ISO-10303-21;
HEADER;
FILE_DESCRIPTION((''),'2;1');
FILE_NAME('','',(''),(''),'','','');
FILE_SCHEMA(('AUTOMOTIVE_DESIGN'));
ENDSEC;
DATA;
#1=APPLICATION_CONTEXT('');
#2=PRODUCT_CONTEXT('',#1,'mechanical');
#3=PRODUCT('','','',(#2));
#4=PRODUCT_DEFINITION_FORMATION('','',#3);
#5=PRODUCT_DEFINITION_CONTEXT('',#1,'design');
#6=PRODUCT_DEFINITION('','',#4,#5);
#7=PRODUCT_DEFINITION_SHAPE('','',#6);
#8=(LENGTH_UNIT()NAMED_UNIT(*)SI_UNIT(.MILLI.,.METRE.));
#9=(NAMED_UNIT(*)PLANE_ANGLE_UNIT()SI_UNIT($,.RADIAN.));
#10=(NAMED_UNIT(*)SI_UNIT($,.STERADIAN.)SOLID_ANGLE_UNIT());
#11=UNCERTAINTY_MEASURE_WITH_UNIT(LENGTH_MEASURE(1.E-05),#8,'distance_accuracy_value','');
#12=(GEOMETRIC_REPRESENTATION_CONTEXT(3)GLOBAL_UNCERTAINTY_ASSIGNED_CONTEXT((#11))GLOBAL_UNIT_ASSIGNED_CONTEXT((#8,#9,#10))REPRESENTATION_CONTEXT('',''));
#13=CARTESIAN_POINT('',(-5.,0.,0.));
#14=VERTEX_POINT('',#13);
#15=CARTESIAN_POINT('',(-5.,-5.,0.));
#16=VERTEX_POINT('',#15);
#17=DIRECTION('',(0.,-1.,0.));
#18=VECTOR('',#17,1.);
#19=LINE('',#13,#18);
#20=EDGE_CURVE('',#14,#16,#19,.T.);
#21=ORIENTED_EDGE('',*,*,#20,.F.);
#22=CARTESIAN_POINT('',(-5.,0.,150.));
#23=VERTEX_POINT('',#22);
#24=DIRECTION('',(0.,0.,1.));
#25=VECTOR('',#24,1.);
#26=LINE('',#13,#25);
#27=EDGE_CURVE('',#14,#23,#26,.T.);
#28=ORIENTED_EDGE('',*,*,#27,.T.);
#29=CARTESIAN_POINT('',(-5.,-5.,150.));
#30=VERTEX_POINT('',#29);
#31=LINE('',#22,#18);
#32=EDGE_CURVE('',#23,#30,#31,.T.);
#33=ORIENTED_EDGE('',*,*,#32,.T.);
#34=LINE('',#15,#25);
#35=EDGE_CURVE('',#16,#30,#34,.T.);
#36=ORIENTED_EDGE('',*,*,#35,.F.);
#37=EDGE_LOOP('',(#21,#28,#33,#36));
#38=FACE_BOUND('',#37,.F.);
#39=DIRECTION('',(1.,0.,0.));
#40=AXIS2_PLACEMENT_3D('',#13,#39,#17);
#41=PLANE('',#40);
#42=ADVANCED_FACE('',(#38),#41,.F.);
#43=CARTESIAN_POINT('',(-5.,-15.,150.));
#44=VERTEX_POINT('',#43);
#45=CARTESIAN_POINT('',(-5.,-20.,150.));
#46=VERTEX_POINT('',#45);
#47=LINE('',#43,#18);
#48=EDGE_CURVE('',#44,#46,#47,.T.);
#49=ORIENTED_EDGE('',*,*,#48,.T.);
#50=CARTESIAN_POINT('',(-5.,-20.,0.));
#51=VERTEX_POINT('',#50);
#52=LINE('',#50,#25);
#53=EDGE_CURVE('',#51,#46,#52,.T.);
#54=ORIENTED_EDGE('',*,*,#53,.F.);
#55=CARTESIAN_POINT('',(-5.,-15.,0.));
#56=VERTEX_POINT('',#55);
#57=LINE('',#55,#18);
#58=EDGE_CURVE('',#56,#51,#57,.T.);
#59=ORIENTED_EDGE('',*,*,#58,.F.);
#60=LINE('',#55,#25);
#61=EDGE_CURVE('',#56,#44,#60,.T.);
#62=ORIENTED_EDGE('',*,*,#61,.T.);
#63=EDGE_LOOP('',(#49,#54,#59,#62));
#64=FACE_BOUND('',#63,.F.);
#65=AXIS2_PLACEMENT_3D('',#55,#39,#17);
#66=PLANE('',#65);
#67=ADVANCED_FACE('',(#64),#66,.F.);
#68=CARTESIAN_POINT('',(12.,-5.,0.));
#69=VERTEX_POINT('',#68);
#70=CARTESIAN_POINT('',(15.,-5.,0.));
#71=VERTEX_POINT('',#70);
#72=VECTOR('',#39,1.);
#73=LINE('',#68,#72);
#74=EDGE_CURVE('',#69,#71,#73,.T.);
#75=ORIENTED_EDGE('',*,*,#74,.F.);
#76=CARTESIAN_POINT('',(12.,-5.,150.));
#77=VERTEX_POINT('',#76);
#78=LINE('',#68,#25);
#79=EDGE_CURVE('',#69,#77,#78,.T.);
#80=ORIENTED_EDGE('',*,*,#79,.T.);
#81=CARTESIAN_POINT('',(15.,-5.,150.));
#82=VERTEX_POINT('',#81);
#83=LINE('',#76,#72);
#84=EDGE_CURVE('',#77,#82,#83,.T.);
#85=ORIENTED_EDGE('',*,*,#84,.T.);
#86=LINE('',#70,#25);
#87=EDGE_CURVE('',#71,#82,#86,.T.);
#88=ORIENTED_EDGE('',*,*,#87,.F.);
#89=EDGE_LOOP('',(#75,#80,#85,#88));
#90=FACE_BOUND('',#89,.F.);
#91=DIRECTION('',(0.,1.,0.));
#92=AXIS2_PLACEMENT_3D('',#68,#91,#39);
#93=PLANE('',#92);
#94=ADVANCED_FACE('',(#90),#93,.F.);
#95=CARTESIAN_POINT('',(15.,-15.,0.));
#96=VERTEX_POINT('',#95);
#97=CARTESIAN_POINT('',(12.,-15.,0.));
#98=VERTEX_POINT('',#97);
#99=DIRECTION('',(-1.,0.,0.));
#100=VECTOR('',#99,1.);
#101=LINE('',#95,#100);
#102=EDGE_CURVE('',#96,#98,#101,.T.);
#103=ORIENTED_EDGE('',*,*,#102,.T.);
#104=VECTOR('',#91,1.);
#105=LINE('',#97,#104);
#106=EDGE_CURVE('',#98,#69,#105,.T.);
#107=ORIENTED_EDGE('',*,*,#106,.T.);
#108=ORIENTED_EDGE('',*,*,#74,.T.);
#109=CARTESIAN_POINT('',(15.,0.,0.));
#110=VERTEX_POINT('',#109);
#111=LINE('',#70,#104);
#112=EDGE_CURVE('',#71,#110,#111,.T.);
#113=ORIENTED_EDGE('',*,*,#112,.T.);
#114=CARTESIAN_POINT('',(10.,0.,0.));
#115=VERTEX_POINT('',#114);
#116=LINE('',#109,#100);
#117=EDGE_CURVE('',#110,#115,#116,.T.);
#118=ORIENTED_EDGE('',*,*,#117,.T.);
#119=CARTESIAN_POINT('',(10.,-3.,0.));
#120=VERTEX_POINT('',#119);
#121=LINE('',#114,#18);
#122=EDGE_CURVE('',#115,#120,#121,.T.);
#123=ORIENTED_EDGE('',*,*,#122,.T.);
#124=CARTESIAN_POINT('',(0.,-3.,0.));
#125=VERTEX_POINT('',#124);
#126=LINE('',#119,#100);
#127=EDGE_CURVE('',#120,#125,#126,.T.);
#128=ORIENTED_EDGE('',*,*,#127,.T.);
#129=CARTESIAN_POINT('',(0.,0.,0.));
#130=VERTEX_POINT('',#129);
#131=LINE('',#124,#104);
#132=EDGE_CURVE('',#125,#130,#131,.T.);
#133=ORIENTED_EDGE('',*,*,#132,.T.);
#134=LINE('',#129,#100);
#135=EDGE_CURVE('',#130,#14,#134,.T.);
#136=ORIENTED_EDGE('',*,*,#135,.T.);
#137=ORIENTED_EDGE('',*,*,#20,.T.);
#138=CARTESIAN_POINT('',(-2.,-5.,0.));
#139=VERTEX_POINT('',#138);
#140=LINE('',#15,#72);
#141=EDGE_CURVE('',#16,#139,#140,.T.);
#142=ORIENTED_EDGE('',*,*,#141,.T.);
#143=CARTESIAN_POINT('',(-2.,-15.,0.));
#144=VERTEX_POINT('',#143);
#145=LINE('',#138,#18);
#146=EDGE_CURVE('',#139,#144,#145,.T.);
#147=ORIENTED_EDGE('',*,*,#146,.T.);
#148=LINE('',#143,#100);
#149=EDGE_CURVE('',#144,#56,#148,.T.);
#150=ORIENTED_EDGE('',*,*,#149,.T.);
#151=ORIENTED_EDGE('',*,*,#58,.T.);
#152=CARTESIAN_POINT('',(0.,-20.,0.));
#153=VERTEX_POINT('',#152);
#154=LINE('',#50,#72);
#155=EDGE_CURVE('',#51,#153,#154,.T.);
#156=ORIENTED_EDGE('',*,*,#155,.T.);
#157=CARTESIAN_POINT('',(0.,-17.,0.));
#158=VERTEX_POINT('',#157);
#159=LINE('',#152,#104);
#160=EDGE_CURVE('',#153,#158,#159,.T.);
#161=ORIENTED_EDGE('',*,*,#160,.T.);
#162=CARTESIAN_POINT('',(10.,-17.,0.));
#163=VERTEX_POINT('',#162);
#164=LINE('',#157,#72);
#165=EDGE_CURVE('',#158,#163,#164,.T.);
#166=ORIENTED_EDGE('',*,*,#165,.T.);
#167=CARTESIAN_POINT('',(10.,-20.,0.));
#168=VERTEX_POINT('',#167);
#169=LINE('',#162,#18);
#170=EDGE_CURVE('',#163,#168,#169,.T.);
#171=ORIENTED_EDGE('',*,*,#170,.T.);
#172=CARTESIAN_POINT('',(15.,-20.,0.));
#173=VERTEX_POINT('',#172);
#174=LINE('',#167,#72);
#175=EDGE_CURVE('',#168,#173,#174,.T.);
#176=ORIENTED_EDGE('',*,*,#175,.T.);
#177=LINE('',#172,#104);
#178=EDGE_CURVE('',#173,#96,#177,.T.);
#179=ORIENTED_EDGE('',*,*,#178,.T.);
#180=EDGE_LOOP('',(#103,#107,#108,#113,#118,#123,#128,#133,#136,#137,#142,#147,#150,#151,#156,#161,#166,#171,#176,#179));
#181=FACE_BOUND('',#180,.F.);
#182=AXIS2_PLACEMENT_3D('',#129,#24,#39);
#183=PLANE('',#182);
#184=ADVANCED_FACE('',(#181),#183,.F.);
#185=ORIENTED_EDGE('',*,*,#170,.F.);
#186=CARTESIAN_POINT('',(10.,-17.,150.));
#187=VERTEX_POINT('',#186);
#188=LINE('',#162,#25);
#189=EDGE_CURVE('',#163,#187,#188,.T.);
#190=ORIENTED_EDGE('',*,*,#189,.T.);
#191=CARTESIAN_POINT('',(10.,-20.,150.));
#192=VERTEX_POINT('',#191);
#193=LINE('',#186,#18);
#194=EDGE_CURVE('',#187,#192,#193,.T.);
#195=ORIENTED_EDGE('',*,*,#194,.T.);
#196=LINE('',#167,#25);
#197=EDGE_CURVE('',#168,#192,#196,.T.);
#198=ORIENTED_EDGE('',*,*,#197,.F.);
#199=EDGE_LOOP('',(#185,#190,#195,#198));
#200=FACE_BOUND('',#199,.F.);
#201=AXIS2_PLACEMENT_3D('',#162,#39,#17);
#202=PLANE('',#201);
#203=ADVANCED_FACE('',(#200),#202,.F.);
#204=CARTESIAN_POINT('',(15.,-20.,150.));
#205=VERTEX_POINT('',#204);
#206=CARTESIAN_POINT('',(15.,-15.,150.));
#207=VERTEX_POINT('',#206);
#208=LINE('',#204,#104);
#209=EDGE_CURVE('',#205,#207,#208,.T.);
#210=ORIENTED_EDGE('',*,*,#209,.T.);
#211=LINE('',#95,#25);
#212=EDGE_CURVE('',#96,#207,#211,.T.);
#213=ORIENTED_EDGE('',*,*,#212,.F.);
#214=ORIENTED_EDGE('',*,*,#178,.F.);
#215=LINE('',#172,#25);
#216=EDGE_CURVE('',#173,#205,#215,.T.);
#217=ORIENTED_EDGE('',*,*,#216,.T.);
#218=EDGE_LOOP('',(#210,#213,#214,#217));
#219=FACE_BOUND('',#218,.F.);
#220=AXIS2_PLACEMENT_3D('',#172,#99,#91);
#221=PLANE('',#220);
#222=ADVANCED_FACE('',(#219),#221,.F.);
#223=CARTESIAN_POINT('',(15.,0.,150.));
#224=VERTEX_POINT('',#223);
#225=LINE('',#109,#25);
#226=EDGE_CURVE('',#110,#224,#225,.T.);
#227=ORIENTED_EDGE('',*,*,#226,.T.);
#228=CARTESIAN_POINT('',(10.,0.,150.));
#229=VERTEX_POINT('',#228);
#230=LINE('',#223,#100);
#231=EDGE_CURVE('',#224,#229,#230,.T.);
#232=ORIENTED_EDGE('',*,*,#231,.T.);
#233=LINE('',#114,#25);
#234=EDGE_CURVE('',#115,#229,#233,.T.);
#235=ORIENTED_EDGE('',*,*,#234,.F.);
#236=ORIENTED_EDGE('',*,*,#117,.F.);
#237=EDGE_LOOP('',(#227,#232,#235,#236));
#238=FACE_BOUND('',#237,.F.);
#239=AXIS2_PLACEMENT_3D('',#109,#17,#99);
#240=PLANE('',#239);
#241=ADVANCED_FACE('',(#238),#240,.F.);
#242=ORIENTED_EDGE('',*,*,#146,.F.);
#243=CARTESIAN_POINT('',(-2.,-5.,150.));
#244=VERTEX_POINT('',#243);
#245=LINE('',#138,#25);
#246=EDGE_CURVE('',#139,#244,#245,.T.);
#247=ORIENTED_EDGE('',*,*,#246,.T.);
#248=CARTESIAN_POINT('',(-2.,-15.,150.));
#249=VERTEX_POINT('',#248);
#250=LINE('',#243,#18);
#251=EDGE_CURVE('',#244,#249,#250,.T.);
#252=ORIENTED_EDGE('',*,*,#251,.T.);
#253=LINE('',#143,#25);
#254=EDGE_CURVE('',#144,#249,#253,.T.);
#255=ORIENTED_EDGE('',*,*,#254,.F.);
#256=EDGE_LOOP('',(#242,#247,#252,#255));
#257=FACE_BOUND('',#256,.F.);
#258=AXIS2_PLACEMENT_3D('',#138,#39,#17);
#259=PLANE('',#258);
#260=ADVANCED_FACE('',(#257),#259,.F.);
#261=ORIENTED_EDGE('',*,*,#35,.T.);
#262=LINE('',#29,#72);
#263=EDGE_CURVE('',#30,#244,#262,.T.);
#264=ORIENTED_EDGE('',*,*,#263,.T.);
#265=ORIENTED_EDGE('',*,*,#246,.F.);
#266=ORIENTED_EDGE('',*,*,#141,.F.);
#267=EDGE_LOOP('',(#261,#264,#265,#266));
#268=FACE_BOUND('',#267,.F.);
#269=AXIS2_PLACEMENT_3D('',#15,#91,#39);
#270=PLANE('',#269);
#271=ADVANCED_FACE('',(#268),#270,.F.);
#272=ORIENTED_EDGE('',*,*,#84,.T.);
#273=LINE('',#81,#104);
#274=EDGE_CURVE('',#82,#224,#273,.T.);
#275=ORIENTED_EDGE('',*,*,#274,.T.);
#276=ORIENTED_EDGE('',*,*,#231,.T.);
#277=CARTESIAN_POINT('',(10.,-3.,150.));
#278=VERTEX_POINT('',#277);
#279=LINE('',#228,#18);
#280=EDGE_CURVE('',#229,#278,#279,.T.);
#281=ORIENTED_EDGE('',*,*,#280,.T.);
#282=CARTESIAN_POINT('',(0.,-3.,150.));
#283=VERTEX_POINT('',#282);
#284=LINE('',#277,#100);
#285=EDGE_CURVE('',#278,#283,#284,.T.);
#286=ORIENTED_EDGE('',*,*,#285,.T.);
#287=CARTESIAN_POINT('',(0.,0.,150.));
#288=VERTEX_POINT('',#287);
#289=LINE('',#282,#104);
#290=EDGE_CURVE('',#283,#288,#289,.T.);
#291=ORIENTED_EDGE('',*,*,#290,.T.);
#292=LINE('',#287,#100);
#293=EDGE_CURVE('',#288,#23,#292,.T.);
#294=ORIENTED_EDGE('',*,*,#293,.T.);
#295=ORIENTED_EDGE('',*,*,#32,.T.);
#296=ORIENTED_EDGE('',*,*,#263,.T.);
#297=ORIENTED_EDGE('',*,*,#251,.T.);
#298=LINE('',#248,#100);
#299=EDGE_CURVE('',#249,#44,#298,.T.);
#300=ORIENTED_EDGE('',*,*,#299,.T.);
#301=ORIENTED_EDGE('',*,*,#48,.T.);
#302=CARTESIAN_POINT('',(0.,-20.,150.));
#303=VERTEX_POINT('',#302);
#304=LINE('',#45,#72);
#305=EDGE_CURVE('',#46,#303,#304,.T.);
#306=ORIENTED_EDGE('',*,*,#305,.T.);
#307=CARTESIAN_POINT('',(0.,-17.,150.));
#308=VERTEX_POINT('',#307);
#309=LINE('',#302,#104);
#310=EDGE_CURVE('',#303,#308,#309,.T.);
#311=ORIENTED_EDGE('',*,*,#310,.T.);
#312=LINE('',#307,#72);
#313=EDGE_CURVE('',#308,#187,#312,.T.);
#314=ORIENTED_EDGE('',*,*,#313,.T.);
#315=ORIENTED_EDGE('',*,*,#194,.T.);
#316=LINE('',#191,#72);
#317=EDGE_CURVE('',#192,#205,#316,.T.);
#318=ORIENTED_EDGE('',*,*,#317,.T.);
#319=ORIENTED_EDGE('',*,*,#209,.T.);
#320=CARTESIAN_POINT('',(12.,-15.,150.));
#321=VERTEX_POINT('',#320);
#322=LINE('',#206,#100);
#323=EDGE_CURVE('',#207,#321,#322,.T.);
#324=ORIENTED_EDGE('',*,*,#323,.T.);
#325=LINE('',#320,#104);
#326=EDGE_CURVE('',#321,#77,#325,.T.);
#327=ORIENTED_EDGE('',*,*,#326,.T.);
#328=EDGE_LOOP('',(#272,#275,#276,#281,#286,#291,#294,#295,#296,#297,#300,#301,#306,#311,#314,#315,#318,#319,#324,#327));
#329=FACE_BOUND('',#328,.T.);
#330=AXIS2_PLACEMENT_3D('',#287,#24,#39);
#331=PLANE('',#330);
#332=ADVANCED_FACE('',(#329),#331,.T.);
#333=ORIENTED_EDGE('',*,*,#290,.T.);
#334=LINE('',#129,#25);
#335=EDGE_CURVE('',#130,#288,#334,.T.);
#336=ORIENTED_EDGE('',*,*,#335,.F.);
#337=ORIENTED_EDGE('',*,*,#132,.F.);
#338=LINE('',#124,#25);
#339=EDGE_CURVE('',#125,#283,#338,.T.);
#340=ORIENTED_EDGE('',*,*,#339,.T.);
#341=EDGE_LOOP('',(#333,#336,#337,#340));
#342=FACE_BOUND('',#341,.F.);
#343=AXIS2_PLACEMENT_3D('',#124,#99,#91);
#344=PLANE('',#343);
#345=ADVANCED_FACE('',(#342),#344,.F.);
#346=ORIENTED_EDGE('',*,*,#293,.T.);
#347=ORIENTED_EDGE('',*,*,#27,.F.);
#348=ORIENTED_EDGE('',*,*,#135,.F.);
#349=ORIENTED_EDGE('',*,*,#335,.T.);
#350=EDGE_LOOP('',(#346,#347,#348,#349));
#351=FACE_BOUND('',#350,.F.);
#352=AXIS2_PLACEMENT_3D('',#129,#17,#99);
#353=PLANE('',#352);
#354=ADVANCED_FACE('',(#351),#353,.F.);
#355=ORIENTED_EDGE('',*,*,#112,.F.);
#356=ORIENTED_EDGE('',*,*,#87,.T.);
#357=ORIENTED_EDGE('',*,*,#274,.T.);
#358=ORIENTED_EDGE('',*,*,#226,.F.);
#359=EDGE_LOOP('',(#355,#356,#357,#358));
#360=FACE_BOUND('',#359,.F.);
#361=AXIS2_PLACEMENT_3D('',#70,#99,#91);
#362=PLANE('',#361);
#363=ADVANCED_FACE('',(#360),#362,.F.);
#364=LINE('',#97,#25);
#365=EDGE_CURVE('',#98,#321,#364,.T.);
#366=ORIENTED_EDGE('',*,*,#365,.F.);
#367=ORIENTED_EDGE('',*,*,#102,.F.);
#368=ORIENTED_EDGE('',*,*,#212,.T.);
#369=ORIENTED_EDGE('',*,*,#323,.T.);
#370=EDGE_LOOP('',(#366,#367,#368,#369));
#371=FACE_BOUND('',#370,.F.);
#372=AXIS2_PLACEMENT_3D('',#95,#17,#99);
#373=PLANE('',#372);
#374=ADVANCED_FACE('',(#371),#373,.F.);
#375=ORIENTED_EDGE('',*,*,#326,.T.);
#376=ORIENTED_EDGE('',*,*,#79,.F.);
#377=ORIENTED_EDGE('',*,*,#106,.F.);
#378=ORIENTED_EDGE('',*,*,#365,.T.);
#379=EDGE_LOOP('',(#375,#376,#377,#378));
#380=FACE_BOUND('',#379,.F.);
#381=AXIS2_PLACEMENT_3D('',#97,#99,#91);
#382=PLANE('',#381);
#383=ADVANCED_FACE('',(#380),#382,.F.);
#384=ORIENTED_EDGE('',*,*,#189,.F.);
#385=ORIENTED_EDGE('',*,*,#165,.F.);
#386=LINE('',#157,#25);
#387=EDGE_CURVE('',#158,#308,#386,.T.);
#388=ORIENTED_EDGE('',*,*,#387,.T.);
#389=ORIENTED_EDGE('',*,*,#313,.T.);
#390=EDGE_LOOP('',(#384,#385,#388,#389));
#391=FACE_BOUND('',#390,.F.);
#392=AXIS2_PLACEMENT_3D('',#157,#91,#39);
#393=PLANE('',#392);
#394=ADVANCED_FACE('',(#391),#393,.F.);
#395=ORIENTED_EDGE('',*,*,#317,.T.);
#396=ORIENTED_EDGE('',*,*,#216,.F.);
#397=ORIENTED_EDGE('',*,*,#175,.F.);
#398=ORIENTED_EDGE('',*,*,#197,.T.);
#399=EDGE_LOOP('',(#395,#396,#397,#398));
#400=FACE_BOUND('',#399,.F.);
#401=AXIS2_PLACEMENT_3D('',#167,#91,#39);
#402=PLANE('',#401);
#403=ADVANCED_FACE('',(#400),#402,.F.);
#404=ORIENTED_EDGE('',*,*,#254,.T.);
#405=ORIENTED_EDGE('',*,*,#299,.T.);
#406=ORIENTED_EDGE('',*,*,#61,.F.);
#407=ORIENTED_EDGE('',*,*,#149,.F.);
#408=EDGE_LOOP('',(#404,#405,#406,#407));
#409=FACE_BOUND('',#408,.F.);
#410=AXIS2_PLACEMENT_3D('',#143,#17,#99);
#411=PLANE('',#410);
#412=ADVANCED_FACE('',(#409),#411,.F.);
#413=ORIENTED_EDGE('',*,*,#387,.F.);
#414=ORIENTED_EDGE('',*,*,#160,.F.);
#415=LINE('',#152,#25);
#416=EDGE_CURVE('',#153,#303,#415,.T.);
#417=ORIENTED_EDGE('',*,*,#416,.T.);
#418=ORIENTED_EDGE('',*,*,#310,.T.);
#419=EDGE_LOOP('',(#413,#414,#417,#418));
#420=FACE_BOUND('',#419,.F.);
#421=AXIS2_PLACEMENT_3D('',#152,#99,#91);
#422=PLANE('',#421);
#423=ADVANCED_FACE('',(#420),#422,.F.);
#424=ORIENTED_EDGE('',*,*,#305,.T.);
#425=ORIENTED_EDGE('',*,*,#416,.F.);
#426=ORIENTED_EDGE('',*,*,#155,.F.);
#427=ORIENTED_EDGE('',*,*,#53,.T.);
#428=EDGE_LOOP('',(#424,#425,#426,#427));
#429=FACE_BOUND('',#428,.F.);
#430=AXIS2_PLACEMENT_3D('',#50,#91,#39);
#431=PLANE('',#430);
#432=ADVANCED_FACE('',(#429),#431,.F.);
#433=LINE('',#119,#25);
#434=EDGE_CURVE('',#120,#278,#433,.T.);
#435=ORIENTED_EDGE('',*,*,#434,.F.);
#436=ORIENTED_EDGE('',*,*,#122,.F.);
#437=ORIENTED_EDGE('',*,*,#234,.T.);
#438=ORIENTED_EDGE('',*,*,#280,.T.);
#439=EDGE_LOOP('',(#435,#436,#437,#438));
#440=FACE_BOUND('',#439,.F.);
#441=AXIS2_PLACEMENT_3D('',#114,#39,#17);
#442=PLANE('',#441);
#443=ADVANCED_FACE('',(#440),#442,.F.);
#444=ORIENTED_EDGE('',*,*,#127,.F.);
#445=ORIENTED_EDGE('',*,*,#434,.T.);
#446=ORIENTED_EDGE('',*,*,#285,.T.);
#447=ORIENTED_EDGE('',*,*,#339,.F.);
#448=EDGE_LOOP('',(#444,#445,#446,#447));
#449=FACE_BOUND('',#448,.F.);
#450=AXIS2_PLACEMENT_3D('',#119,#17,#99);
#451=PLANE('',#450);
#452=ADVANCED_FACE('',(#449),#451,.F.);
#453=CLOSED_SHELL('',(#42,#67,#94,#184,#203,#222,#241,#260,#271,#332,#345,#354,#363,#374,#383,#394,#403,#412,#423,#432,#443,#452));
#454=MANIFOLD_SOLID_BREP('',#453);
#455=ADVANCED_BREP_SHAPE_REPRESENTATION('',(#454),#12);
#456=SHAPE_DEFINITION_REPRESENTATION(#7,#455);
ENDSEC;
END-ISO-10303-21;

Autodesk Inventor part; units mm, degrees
ref_plane "YZ Plane" through (0, 0, 0) normal (1, 0, 0) x (0, 1, 0)
ref_plane "XZ Plane" through (0, 0, 0) normal (0, 1, 0) x (-1, 0, 0)
ref_plane "XY Plane" through (0, 0, 0) normal (0, 0, 1) x (1, 0, 0)
sketch "Esboço1" plane through (0, 0, 0) normal (0, 0, 1) x (1, 0, 0)
  line L0 (0, 0) -> (-5, 0)
  line L1 (-5, 0) -> (-5, -5)
  line L2 (-5, -5) -> (-2, -5)
  line L3 (-2, -5) -> (-2, -15)
  line L4 (-2, -15) -> (-5, -15)
  line L5 (-5, -15) -> (-5, -20)
  line L6 (-5, -20) -> (0, -20)
  line L7 (0, -20) -> (0, -17)
  line L8 (0, -17) -> (10, -17)
  line L9 (10, -17) -> (10, -20)
  line L10 (10, -20) -> (15, -20)
  line L11 (15, -20) -> (15, -15)
  line L12 (15, -15) -> (12, -15)
  line L13 (12, -15) -> (12, -5)
  line L14 (12, -5) -> (15, -5)
  line L15 (15, -5) -> (15, 0)
  line L16 (15, 0) -> (10, 0)
  line L17 (10, 0) -> (10, -3)
  line L18 (10, -3) -> (0, -3)
  line L19 (0, -3) -> (0, 0)
  dimension "d4" = 5
  dimension "d5" = 5
  dimension "d6" = 3
  dimension "d7" = 10
  dimension "d8" = 3
  dimension "d9" = 5
  dimension "d10" = 5
  dimension "d11" = 3
  dimension "d12" = 10
  dimension "d13" = 5
  dimension "d14" = 5
  dimension "d15" = 3
  dimension "d16" = 10
  dimension "d17" = 3
  dimension "d18" = 5
  dimension "d19" = 3
  dimension "d20" = 10
extrude "Extrusão1" add sketch "Esboço1" along normal blind 150
sketch "Esboço2" plane through (15, -5, 0) normal (1, 0, 0) x (0, 0, -1)
  point P0 (0, 5)
properties part number "Viga Projeto Bosch"
